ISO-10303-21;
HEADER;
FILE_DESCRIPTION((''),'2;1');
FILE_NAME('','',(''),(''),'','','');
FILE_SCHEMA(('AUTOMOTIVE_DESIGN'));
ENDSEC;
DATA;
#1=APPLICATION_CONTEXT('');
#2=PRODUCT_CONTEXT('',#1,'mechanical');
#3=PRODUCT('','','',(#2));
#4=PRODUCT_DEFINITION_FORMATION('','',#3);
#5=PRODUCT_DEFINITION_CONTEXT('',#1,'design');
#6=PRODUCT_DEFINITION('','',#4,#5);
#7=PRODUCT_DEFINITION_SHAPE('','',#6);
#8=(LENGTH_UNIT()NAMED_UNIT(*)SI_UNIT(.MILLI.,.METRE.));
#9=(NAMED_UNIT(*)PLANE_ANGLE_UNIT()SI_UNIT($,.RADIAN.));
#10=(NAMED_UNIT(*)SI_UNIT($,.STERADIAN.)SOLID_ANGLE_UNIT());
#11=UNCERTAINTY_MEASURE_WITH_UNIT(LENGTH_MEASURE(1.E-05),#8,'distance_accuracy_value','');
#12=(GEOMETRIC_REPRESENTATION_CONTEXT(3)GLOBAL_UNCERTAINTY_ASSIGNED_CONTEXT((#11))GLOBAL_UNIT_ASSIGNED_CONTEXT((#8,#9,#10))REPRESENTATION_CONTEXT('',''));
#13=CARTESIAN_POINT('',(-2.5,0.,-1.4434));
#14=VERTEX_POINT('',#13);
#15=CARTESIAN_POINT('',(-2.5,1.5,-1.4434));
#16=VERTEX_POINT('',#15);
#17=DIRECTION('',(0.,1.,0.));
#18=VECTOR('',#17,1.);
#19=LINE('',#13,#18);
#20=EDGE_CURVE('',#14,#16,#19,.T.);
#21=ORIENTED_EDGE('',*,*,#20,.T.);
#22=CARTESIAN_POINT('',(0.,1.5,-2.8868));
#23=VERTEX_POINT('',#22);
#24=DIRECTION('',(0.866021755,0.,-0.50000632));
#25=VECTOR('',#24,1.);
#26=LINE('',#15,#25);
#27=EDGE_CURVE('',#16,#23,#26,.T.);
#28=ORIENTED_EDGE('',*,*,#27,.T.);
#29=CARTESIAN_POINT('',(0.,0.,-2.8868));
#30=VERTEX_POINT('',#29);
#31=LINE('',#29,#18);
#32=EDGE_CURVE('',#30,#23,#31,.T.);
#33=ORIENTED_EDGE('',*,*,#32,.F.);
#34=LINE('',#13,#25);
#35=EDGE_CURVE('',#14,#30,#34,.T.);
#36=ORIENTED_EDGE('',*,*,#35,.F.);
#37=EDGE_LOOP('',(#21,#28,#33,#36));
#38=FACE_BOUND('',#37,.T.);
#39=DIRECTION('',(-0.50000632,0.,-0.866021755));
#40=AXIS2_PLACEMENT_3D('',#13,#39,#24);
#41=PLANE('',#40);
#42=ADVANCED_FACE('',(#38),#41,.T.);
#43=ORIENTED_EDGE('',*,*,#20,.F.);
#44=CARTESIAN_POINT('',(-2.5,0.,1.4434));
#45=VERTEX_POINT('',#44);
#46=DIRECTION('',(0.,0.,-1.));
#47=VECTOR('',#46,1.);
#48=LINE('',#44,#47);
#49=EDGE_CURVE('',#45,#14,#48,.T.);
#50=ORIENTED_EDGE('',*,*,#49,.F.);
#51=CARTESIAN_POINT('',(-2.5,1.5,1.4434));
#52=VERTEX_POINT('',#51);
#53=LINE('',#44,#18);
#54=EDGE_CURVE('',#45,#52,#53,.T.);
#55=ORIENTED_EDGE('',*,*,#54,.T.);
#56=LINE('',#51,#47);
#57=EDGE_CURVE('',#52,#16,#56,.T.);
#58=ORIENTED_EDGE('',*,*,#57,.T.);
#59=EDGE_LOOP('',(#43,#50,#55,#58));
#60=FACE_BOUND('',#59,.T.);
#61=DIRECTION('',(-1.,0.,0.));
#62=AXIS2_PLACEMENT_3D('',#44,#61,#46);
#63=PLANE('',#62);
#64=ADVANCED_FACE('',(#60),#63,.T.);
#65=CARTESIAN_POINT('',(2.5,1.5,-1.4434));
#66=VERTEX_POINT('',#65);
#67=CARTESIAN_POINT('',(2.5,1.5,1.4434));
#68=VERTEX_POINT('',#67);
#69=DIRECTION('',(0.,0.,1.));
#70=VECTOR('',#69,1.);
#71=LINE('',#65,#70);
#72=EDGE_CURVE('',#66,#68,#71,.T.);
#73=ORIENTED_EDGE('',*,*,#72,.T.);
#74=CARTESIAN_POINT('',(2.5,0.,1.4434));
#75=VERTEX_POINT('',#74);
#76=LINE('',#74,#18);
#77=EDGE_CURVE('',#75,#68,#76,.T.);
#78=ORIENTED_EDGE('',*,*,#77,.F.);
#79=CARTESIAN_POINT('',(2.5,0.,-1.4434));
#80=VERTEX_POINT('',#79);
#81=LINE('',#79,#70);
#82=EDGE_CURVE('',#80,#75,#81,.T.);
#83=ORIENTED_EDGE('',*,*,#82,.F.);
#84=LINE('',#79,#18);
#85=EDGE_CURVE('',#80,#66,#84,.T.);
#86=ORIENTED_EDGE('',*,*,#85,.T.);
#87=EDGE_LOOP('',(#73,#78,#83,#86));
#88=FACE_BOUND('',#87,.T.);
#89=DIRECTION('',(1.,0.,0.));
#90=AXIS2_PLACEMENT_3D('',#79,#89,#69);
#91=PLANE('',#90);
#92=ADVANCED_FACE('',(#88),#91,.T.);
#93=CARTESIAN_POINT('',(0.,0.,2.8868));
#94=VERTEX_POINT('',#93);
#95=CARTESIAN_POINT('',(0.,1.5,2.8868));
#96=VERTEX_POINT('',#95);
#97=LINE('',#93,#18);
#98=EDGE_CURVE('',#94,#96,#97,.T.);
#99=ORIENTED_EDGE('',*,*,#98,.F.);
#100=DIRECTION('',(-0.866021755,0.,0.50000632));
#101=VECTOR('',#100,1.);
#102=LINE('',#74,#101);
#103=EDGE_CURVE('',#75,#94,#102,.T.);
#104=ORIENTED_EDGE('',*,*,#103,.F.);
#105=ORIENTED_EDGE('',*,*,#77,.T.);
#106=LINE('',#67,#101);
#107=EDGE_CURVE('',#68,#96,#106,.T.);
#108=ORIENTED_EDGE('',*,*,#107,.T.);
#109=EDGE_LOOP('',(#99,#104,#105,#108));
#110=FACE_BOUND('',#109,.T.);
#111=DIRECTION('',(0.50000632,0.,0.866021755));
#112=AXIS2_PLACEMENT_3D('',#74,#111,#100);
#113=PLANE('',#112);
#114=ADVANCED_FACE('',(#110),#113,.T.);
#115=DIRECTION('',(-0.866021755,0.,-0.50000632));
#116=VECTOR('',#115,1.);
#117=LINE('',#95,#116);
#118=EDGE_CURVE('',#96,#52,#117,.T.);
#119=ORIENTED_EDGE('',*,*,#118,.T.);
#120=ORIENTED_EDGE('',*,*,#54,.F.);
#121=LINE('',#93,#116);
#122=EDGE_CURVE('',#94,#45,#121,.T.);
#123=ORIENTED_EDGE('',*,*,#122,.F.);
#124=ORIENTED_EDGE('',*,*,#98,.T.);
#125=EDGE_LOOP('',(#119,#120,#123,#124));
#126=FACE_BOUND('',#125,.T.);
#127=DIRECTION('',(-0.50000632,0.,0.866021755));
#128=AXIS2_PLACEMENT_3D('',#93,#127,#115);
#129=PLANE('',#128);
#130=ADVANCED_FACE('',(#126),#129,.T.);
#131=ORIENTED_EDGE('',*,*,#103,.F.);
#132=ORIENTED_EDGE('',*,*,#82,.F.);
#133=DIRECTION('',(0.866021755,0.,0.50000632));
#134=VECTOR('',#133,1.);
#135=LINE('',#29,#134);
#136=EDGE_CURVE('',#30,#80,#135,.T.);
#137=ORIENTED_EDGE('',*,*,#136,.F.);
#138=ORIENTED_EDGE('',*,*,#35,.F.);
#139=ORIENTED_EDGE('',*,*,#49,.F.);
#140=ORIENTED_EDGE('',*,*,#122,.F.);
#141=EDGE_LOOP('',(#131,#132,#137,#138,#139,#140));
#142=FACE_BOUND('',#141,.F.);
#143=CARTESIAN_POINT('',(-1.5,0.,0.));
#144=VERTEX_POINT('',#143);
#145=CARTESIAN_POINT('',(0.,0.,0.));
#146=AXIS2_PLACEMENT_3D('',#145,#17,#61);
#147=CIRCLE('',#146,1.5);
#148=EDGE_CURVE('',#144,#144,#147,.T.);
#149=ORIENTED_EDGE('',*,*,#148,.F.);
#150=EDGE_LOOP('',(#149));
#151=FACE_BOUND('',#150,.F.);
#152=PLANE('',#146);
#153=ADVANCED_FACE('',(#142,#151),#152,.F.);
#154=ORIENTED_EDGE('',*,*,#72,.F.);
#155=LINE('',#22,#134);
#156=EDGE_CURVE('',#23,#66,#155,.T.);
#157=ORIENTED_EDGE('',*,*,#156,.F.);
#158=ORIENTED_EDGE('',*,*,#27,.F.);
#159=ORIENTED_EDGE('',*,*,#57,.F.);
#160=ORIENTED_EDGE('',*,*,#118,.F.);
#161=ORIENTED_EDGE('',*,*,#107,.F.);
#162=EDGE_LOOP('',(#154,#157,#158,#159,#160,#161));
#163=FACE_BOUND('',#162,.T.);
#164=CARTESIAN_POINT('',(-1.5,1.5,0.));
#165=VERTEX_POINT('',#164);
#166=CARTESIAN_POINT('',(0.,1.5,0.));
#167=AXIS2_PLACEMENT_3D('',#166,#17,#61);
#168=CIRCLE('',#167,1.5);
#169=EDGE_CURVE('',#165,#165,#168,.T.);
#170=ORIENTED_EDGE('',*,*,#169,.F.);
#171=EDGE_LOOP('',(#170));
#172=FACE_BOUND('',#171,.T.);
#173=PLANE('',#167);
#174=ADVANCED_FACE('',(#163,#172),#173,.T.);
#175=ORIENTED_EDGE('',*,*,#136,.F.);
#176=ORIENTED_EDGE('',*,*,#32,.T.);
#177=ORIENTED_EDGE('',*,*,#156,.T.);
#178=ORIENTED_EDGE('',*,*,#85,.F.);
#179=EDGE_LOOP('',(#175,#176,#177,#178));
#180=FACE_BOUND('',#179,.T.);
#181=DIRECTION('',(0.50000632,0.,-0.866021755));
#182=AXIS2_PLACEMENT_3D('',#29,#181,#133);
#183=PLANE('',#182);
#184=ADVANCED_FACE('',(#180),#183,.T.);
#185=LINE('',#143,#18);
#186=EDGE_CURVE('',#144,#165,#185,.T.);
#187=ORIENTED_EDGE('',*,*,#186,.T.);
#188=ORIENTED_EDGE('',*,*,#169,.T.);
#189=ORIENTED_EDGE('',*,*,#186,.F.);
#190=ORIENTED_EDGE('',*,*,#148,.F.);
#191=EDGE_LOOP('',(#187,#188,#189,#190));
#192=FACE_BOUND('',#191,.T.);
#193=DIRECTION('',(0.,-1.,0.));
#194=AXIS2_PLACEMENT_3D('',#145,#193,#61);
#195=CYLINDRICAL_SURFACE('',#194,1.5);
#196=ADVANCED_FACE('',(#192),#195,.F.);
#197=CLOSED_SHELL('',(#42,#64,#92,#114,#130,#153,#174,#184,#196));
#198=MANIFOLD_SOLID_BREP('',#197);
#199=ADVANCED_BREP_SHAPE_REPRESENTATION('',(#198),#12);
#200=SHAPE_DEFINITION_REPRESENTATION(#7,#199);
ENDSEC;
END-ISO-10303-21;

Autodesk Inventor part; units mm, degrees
ref_plane "YZ Plane" through (0, 0, 0) normal (1, 0, 0) x (0, 1, 0)
ref_plane "XZ Plane" through (0, 0, 0) normal (0, 1, 0) x (-1, 0, 0)
ref_plane "XY Plane" through (0, 0, 0) normal (0, 0, 1) x (1, 0, 0)
sketch "Sketch1" plane through (0, 0, 0) normal (0, 1, 0) x (-1, 0, 0)
  circle A0 centre (0, 0) radius 1.5
  line L0 (0, -2.8868) -> (-2.5, -1.4434)
  line L1 (-2.5, -1.4434) -> (-2.5, 1.4434)
  line L2 (-2.5, 1.4434) -> (0, 2.8868)
  line L3 (0, 2.8868) -> (2.5, 1.4434)
  line L4 (2.5, 1.4434) -> (2.5, -1.4434)
  line L5 (2.5, -1.4434) -> (0, -2.8868)
  dimension "d0" = 3
  dimension "d1" = 5
extrude "Extrusion1" add sketch "Sketch1" along normal blind 1.5
thread "Thread1" size "M3x0.5" class "6H" standard "ANSI Metric M Profile" full length
properties part number "M3 Nut Steel" material "Steel"
